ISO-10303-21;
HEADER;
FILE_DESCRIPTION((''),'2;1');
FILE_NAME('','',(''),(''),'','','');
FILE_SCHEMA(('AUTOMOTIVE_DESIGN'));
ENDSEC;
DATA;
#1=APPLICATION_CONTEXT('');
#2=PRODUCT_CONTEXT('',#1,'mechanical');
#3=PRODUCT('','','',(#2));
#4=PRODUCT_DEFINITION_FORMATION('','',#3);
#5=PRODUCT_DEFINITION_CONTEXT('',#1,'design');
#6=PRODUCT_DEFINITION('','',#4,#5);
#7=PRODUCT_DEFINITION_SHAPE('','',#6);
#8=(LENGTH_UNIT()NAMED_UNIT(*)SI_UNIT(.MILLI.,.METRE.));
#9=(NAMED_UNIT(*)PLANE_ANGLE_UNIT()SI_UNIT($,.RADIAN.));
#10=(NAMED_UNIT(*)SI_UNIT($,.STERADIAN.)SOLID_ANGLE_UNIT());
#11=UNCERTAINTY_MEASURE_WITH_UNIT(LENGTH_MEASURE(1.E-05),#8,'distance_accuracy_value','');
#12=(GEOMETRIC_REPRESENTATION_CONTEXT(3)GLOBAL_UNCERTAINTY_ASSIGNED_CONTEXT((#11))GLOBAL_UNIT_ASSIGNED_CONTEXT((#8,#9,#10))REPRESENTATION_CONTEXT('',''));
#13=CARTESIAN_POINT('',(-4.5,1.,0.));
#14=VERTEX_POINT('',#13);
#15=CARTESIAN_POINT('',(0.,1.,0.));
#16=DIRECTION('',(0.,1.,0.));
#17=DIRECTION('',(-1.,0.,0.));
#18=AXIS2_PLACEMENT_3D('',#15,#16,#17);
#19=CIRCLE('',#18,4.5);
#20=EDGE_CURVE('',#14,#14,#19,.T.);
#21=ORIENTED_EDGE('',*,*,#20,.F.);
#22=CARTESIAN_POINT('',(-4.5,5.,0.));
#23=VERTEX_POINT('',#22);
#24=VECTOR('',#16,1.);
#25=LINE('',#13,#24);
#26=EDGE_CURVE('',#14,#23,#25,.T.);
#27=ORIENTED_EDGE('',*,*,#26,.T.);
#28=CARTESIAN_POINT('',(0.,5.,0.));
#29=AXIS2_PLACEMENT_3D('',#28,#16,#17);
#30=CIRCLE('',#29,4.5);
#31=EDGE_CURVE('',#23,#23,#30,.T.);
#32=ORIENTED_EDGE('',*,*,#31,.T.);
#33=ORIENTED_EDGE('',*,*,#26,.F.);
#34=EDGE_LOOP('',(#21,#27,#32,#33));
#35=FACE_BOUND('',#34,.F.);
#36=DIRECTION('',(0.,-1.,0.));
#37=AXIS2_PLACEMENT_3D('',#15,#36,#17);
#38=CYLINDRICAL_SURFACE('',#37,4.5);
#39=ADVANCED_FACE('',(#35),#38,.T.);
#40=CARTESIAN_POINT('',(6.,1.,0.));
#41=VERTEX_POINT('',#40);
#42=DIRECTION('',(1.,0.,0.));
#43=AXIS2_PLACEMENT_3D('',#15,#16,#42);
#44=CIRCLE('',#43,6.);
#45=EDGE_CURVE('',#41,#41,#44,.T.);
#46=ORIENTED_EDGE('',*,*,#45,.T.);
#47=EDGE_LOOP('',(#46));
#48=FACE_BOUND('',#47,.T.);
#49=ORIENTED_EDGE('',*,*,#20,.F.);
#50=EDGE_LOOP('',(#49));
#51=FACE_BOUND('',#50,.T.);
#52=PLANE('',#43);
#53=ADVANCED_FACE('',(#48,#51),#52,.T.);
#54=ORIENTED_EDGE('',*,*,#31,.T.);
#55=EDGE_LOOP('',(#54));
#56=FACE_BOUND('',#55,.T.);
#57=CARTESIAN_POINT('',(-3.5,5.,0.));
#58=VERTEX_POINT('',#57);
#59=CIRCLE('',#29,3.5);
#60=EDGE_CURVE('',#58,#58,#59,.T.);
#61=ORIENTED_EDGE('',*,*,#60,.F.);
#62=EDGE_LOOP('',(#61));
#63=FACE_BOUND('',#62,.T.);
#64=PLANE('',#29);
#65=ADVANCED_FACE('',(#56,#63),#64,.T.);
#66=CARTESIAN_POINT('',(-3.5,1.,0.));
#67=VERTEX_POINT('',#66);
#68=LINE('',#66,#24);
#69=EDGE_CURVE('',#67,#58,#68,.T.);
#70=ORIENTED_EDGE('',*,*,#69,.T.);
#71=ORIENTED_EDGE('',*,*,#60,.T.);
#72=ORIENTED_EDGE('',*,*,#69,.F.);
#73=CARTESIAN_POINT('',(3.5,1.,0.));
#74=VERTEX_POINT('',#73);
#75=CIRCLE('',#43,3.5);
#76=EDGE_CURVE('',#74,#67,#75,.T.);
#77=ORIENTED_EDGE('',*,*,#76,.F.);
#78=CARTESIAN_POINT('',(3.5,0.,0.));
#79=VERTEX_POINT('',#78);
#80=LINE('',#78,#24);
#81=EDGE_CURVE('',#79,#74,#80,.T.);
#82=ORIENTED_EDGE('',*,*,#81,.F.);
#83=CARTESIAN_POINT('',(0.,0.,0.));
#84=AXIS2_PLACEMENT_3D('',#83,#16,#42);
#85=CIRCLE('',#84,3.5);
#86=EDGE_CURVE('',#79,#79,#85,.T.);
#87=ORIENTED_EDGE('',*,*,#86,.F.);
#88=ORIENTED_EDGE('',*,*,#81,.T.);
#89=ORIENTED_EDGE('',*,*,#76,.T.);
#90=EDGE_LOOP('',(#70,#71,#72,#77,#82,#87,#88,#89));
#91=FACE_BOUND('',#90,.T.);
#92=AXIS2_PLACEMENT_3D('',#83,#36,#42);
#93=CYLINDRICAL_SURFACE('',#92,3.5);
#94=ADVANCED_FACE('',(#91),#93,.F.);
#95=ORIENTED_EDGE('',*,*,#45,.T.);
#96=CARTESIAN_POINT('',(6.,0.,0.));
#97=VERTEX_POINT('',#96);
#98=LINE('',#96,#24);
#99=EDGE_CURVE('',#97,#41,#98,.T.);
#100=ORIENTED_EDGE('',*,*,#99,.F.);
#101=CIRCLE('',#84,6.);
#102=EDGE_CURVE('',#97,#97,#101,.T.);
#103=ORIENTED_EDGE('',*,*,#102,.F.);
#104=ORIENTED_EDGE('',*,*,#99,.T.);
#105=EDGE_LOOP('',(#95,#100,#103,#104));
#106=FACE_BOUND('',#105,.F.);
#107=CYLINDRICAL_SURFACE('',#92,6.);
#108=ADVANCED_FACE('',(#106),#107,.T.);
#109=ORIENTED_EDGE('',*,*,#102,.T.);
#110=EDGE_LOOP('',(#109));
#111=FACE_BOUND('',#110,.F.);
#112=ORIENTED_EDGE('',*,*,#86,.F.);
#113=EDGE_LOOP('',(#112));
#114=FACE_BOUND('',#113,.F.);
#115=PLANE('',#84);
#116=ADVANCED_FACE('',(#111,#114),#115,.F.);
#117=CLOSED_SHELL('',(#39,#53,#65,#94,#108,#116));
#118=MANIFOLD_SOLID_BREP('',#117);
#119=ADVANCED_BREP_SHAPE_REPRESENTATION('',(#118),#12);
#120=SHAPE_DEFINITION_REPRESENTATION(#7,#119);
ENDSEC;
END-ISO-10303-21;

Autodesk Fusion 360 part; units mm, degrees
sketch "Sketch1" plane through (0, 0, 0) normal (0, 1, 0) x (1, 0, 0)
  circle A0 centre (0, 0) radius 6
  circle A1 centre (0, 0) radius 3.5
  dimension "d1" = 12
  dimension "d6" = 7
extrude "Extrude1" add sketch "Sketch1" along normal blind 1
sketch "Sketch2" plane through (0, 1, 0) normal (0, 1, 0) x (-1, 0, 0)
  circle A0 centre (0, 0) radius 6
  circle A1 centre (0, 0) radius 4.5
  circle A2 centre (0, 0) radius 3.5
  circle A3 centre (0, 0) radius 3.5
  dimension "d4" = 9
  dimension "d5" = 7
extrude "Extrude2" add sketch "Sketch2" along normal blind 4 contours A1
